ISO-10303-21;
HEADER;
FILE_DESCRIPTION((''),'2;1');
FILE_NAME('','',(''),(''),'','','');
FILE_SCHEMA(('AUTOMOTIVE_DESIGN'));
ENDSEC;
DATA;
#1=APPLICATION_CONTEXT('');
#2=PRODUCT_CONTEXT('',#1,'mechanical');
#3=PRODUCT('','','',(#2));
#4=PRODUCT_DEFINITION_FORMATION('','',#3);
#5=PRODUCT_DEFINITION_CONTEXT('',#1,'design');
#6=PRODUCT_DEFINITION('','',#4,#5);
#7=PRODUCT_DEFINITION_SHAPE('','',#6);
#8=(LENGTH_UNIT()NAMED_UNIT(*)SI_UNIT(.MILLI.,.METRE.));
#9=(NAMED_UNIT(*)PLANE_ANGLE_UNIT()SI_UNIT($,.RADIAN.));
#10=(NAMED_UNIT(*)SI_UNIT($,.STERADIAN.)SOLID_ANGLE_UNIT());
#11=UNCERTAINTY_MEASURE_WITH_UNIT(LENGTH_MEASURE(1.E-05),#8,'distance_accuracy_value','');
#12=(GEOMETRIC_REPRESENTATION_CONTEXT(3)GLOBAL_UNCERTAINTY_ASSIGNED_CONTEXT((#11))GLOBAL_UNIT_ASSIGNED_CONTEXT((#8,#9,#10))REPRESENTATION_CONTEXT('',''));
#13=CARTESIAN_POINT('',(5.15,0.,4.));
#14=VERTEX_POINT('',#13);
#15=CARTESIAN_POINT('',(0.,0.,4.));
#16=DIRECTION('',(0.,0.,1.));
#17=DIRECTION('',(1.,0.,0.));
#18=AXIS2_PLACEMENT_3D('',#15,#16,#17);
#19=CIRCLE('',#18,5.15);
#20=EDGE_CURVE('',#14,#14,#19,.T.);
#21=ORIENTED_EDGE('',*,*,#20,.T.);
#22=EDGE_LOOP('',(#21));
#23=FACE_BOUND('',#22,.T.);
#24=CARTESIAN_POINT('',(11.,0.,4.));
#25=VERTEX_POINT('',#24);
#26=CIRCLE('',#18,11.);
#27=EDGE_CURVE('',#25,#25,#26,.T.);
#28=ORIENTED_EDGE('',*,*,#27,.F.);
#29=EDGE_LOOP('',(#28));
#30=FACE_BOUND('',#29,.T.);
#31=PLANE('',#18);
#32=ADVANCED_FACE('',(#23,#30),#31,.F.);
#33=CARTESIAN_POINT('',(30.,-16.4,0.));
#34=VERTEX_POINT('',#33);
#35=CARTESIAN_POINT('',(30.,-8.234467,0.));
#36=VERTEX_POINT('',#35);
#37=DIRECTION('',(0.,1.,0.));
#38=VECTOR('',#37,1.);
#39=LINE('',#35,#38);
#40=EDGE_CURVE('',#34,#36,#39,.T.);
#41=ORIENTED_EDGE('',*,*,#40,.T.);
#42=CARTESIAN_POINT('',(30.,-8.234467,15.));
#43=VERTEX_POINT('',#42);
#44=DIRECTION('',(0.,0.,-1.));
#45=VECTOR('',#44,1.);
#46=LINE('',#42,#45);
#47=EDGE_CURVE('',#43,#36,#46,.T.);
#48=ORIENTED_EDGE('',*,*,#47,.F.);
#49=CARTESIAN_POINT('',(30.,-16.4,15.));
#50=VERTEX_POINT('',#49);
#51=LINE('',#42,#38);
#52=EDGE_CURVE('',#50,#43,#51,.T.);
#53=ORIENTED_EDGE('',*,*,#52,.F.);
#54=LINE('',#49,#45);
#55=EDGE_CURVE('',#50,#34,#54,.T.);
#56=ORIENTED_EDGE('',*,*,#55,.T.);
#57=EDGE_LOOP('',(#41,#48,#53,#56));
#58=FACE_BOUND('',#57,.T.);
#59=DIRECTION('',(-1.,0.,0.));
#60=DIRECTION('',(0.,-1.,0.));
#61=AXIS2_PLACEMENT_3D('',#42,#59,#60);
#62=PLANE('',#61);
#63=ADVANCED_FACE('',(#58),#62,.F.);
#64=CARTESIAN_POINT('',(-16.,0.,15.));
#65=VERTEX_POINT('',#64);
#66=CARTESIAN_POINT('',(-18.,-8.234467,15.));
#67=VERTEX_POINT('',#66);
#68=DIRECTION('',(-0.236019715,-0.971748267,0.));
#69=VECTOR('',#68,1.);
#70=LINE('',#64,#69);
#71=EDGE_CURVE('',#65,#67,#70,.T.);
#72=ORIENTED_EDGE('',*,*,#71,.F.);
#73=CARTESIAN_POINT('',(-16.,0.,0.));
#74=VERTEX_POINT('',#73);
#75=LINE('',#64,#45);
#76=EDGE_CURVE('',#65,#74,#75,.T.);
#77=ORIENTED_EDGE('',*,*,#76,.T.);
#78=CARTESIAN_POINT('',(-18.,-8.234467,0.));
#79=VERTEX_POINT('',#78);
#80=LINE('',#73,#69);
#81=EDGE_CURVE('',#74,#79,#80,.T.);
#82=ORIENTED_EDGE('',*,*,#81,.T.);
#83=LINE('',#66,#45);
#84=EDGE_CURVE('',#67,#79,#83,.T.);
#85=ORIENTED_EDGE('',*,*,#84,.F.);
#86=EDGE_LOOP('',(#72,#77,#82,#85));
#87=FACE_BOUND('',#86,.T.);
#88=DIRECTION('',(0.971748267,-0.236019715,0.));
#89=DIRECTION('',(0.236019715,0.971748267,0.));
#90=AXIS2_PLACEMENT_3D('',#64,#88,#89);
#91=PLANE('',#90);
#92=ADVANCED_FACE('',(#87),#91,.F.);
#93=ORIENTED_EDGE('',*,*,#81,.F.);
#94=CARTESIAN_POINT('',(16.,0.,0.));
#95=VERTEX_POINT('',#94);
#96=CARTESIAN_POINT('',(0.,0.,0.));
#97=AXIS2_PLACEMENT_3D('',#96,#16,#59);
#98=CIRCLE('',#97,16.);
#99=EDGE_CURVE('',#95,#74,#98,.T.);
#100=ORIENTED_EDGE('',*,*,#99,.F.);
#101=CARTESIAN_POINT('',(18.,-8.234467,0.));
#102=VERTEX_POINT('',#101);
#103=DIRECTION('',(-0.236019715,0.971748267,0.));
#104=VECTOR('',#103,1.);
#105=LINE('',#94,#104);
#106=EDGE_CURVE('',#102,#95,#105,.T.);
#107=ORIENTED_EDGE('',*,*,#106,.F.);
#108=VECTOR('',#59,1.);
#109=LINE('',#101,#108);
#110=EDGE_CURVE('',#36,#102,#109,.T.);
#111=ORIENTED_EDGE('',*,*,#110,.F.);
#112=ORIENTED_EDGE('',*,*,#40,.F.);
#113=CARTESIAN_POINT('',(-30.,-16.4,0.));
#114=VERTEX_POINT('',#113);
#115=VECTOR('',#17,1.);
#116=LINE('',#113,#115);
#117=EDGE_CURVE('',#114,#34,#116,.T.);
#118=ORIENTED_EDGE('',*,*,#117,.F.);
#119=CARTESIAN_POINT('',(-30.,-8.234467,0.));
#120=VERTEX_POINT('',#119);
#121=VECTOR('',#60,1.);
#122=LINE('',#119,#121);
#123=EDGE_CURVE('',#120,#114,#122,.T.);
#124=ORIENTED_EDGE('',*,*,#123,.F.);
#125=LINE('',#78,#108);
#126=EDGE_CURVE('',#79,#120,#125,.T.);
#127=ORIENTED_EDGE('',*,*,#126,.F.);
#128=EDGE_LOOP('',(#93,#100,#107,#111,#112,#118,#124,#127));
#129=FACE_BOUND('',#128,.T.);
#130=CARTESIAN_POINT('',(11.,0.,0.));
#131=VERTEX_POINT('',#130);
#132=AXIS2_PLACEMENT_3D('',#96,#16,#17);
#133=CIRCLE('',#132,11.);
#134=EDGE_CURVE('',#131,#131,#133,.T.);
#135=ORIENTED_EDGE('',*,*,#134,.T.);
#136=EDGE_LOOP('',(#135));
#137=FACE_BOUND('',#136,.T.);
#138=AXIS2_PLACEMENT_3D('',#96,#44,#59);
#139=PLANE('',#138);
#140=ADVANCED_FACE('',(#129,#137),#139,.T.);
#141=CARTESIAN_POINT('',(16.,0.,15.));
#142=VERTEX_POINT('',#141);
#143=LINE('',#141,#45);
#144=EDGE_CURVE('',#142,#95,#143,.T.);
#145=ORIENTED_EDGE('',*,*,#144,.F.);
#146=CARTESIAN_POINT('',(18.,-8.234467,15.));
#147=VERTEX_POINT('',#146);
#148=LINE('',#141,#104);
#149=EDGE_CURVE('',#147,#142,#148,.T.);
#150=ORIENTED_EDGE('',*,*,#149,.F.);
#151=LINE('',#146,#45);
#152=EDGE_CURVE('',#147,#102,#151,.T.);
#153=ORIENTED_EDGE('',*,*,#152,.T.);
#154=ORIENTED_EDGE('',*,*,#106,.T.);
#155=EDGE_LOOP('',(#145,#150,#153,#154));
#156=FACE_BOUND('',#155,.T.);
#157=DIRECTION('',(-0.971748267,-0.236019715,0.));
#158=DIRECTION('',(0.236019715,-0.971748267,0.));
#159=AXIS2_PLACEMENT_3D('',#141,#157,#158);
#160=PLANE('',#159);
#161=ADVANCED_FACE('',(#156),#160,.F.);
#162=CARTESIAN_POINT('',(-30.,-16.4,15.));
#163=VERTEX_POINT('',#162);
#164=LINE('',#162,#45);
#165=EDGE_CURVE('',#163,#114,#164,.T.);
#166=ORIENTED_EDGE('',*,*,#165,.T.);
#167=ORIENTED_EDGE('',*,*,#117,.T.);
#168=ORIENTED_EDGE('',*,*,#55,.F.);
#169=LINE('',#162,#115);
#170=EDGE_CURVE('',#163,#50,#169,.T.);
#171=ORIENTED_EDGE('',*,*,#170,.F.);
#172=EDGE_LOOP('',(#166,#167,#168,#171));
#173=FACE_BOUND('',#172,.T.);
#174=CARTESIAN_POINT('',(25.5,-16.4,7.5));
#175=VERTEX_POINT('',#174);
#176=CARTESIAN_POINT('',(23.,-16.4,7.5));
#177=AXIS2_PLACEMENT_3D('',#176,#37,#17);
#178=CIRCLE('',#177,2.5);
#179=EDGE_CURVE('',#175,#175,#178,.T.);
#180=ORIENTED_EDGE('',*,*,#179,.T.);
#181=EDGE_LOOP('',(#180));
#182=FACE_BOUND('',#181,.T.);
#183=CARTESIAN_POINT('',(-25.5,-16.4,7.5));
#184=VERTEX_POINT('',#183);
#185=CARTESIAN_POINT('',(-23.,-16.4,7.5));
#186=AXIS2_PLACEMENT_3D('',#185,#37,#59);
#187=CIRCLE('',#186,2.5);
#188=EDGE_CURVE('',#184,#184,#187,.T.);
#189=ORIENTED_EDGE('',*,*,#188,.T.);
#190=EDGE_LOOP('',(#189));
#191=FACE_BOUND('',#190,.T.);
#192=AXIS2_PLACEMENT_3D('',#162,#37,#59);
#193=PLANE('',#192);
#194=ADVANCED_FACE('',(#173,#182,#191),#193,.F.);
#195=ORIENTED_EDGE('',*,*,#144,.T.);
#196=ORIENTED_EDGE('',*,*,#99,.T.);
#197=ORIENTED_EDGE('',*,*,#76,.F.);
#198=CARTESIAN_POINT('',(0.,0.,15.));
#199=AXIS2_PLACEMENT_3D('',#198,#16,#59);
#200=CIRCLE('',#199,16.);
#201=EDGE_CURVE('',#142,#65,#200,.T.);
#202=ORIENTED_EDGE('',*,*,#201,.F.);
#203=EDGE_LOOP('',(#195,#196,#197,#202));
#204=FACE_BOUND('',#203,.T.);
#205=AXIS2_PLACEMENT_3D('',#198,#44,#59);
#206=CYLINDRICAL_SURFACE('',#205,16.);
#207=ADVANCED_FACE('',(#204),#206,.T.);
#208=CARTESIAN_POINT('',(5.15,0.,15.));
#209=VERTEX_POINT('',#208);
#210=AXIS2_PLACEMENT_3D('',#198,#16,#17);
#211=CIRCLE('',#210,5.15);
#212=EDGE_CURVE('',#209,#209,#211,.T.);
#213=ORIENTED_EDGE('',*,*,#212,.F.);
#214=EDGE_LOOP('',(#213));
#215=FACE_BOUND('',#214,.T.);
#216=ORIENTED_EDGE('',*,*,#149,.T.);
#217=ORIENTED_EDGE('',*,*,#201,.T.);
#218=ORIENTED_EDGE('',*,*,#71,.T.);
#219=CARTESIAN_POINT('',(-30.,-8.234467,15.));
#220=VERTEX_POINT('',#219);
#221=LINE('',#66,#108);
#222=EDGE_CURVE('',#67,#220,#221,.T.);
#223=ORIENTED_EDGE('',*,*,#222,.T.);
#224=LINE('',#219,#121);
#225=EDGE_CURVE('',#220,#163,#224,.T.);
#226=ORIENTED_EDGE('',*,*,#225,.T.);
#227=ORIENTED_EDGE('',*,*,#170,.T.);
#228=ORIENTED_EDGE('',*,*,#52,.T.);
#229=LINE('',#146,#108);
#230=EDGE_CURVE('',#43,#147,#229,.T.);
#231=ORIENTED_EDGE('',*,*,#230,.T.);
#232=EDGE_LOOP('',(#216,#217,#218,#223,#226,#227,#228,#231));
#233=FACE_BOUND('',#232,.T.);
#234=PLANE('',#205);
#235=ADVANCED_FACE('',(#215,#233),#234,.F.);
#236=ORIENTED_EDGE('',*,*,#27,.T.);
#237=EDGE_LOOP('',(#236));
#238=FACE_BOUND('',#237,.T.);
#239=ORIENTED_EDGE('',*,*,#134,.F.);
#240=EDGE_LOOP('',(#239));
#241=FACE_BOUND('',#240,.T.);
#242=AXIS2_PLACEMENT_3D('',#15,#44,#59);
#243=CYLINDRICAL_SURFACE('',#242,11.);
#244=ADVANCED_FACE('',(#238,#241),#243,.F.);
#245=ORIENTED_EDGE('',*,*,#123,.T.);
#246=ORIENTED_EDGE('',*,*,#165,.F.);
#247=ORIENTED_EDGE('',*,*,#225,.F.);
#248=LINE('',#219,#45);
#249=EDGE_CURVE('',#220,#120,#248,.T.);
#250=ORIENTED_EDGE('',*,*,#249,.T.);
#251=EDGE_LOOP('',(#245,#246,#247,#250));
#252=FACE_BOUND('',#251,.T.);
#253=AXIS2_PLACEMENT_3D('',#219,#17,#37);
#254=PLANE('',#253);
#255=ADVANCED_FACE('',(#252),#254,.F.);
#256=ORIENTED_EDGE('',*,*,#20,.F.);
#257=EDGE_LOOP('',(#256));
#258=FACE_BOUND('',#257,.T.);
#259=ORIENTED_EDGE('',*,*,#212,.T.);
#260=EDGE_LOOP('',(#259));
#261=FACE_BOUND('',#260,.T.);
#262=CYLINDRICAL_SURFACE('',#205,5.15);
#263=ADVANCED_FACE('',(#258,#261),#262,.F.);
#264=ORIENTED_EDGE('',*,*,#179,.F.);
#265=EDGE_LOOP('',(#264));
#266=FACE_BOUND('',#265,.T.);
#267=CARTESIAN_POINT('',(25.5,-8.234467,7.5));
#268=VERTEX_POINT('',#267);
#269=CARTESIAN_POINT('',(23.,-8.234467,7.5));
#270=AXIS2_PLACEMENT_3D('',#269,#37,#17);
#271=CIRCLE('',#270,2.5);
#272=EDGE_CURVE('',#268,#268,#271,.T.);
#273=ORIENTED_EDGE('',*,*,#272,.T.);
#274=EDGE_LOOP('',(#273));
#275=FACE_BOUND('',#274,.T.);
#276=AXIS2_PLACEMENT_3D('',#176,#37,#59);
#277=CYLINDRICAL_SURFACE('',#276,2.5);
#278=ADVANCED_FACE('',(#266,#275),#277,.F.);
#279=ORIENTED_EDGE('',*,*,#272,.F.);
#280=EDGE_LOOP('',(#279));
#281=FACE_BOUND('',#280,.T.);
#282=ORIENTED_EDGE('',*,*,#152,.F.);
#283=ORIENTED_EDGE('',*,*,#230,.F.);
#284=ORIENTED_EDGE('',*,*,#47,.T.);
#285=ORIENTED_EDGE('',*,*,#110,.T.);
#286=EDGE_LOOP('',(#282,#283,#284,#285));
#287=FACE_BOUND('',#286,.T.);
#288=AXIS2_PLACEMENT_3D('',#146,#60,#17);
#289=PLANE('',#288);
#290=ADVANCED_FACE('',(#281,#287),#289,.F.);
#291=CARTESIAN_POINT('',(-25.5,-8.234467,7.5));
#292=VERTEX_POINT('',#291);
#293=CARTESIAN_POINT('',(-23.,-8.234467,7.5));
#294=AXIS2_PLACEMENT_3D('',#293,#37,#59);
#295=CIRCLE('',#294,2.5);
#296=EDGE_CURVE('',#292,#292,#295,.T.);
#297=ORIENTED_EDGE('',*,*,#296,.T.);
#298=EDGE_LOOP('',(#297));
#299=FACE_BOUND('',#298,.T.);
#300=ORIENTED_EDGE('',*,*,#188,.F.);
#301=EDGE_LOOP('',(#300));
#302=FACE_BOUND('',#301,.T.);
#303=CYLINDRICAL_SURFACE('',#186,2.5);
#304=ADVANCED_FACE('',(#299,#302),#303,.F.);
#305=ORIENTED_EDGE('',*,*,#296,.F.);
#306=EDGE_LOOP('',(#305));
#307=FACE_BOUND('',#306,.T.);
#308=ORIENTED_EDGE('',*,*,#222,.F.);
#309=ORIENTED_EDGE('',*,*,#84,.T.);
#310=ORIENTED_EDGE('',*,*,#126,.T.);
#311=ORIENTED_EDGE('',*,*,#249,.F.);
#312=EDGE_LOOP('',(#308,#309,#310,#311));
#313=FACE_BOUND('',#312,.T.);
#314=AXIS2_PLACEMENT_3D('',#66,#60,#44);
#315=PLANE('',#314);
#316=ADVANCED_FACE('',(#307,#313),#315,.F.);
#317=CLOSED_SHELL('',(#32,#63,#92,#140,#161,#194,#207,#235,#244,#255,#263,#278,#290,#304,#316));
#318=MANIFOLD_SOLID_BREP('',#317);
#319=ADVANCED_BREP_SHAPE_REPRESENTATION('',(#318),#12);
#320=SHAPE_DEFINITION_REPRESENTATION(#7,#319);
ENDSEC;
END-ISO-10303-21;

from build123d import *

# Parameters (mm, degrees)
SKETCH2_R           = 5.15
BOSS_EXTRUDE1_DEPTH = 15
SKETCH3_R           = 11
CUT_EXTRUDE1_DEPTH  = 4
SKETCH4_R           = 2.5
CUT_EXTRUDE2_DEPTH  = 9.165533085


with BuildPart() as part:
    # Sketch2 → Boss-Extrude1 (new body)
    with BuildSketch(Plane.XY):
        with BuildLine():
            Line((-16, 0), (-18, -8.234466915))
            Line((-18, -8.234466915), (-30, -8.234466915))
            Line((-30, -8.234466915), (-30, -16.4))
            Line((-30, -16.4), (30, -16.4))
            Line((30, -16.4), (30, -8.234466915))
            Line((30, -8.234466915), (18, -8.234466915))
            Line((18, -8.234466915), (16, 0))
            ThreePointArc((16, 0), (0, 16), (-16, 0))
        make_face()
        Circle(SKETCH2_R, mode=Mode.SUBTRACT)
    extrude(amount=BOSS_EXTRUDE1_DEPTH)

    # Sketch3 → Cut-Extrude1 (cut)
    with BuildSketch(Plane.XY):
        Circle(SKETCH3_R)
    extrude(amount=CUT_EXTRUDE1_DEPTH, mode=Mode.SUBTRACT)

    # Sketch4 → Cut-Extrude2 (cut, through all)
    with BuildSketch(Plane(origin=(0, -8.234466915, 0), x_dir=(1, 0, 0), z_dir=(0, 1, 0))):
        with Locations((-23, -7.5)):
            Circle(SKETCH4_R)
        with Locations((23, -7.5)):
            Circle(SKETCH4_R)
    extrude(amount=-CUT_EXTRUDE2_DEPTH, mode=Mode.SUBTRACT)


solid = part.part
